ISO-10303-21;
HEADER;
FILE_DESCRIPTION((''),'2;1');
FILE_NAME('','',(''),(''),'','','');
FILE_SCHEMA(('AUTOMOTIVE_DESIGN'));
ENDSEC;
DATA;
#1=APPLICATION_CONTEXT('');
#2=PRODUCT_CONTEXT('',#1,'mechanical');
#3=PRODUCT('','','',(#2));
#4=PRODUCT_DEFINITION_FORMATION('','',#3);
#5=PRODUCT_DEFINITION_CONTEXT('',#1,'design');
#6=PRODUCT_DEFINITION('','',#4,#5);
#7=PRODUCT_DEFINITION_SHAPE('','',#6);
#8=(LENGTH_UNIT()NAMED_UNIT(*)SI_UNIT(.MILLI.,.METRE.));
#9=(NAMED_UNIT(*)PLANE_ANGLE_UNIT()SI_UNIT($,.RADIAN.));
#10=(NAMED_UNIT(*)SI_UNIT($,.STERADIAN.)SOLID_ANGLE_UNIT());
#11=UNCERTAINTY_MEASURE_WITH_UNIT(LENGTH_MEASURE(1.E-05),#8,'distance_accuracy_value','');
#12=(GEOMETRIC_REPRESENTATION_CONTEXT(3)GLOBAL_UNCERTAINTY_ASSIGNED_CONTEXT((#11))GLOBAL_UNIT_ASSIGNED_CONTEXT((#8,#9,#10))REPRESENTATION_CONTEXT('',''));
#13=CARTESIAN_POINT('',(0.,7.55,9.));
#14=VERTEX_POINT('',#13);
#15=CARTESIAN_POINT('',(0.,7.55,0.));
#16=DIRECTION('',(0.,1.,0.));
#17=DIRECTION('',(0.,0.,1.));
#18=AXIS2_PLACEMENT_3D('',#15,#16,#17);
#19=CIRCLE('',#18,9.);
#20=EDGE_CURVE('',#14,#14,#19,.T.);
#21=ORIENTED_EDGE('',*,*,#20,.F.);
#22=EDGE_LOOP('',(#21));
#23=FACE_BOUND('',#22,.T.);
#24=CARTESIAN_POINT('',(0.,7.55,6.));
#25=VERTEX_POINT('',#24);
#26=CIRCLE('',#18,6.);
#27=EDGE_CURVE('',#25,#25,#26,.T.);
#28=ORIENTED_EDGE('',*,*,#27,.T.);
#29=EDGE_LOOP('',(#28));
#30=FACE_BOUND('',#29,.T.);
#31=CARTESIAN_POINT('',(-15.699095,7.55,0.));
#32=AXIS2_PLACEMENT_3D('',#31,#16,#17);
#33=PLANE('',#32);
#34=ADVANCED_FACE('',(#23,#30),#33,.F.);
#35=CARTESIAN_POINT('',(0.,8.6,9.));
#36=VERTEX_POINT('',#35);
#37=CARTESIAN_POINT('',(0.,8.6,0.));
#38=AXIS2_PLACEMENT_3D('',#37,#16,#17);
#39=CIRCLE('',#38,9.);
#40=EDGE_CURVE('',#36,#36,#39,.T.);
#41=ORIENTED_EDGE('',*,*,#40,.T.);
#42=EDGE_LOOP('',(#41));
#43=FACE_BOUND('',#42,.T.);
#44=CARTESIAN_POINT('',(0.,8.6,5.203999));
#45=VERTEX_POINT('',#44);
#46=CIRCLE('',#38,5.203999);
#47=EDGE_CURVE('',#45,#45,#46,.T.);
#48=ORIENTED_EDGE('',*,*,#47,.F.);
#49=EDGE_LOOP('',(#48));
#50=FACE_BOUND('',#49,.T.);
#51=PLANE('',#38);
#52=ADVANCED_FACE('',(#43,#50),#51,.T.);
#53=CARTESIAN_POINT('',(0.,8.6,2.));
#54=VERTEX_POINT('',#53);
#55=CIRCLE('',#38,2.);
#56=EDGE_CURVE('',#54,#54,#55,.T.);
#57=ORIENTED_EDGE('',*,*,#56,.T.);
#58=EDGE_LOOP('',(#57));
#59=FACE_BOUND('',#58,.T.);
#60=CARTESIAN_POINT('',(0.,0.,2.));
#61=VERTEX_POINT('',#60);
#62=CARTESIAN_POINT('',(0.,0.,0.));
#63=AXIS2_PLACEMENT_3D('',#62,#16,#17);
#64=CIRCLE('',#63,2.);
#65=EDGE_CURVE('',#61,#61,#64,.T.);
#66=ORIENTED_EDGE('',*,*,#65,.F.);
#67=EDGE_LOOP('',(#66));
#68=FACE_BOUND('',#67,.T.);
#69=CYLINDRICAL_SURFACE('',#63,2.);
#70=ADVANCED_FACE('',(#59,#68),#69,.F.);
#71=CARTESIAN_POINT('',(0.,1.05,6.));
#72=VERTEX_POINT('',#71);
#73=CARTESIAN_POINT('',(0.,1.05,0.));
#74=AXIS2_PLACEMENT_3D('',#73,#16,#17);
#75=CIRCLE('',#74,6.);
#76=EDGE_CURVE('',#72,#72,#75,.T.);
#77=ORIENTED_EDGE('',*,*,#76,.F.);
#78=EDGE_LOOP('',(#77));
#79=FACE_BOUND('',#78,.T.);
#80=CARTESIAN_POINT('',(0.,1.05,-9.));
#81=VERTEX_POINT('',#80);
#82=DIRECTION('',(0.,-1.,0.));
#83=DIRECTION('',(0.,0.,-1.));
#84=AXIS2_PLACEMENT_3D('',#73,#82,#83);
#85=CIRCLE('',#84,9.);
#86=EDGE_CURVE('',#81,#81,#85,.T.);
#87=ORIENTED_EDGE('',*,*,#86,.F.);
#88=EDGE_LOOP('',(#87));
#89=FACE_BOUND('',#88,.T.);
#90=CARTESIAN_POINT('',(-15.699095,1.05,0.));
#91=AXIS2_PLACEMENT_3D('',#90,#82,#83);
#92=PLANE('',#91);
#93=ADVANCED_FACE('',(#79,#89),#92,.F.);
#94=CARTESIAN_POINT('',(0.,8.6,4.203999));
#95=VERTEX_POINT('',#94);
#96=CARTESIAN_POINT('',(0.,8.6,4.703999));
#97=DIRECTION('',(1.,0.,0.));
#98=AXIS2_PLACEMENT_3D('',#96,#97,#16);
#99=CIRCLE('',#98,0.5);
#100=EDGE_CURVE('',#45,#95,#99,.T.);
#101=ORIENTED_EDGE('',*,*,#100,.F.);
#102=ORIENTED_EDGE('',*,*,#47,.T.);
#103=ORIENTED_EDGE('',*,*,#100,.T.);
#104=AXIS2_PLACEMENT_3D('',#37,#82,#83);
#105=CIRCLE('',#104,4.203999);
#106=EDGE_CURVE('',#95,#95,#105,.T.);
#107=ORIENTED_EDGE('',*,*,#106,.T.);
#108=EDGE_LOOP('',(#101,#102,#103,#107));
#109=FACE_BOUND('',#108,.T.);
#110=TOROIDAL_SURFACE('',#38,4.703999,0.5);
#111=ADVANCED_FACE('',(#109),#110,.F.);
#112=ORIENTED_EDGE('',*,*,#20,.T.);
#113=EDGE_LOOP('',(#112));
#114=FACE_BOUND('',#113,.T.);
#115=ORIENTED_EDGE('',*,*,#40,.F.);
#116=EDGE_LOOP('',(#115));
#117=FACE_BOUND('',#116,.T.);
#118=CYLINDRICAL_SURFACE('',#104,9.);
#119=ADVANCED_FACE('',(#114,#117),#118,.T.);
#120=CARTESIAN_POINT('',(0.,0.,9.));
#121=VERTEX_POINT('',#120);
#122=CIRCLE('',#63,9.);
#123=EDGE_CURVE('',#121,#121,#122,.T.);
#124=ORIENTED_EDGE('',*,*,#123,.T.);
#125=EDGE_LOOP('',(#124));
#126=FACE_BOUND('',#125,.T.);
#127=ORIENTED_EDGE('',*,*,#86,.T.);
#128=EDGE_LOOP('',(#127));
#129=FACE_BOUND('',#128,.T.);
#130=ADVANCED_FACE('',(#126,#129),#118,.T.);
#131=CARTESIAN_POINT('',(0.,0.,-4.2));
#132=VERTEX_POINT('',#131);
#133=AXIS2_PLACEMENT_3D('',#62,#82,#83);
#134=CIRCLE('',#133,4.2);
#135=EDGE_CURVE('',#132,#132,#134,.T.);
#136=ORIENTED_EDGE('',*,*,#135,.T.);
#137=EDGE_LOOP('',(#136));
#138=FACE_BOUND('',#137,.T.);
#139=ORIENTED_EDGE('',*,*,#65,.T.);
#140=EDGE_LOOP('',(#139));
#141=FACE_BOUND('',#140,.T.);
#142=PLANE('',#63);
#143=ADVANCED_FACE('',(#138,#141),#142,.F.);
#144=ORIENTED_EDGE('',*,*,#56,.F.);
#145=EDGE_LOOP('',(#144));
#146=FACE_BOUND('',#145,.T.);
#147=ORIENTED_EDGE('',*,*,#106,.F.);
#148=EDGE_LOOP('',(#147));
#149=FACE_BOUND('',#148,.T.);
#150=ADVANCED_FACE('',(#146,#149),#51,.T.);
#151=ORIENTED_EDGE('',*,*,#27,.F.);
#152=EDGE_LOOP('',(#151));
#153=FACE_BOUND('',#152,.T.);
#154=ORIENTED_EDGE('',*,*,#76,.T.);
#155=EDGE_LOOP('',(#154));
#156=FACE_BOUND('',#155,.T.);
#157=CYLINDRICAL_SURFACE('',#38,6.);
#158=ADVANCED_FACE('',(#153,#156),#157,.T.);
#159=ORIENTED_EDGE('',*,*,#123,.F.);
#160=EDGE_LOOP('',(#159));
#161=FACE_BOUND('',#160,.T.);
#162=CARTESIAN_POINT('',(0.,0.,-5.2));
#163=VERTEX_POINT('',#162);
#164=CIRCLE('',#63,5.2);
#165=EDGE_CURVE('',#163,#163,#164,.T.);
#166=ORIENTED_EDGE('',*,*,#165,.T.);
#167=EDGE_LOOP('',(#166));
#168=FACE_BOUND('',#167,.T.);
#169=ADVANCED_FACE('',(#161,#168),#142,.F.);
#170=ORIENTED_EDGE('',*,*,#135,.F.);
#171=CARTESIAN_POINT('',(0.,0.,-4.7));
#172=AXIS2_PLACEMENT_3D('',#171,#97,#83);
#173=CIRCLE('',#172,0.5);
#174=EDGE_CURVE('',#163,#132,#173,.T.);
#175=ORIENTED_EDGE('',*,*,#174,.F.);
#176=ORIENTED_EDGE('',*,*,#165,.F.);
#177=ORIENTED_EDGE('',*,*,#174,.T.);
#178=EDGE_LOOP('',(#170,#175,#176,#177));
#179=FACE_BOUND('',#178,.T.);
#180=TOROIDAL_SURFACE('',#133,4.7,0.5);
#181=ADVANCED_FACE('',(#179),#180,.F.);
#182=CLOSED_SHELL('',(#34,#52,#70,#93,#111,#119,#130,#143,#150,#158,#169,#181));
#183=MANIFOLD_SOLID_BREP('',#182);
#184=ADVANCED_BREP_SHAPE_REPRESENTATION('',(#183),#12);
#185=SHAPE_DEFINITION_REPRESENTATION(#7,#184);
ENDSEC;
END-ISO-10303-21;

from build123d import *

# Parameters (mm, degrees)
SKETCH1_R            = 9
BOSS_EXTRUDE1_DEPTH  = 8.6
SKETCH2_W            = 9.699094827
SKETCH2_H            = 6.5
SKETCH3_R            = 2
CUT_EXTRUDE1_DEPTH   = 9.6
CUT_SWEEP2_PROFILE_R = 0.5
CUT_SWEEP3_PROFILE_R = 0.5


with BuildPart() as part:
    # Sketch1 → Boss-Extrude1 (new body)
    with BuildSketch(Plane(origin=(0, 0, 0), x_dir=(1, 0, 0), z_dir=(0, 1, 0))):
        Circle(SKETCH1_R)
    extrude(amount=BOSS_EXTRUDE1_DEPTH)

    # Sketch2 → Cut-Revolve1 (revolve, cut)
    with BuildSketch(Plane.XY):
        with Locations((-10.849547414, 4.3)):
            Rectangle(SKETCH2_W, SKETCH2_H)
    revolve(axis=Axis((0, 8.6, 0), (0, -1, 0)), mode=Mode.SUBTRACT)

    # Sketch3 → Cut-Extrude1 (cut, through all)
    with BuildSketch(Plane(origin=(0, 8.6, 0), x_dir=(1, 0, 0), z_dir=(0, 1, 0))):
        Circle(SKETCH3_R)
    extrude(amount=-CUT_EXTRUDE1_DEPTH, mode=Mode.SUBTRACT)

    # Cut-Sweep2: sweep along a path in Sketch4
    with BuildLine(Plane(origin=(0, 8.6, 0), x_dir=(1, 0, 0), z_dir=(0, 1, 0))) as cut_sweep2_path:
        CenterArc((0, 0), 4.703999497, 0, 360)
    # Cut-Sweep2 profile (on start of the path) → Cut-Sweep2 (sweep, cut)
    with BuildSketch(Plane(origin=(4.703999497, 8.6, 0), x_dir=(-1, 0, 0), z_dir=(0, 0, -1))):
        Circle(CUT_SWEEP2_PROFILE_R)
    sweep(path=cut_sweep2_path.line, mode=Mode.SUBTRACT)

    # Cut-Sweep3: sweep along a path in Sketch20
    with BuildLine(Plane.XZ) as cut_sweep3_path:
        CenterArc((0, 0), 4.7, 0, 360)
    # Cut-Sweep3 profile (on start of the path) → Cut-Sweep3 (sweep, cut)
    with BuildSketch(Plane(origin=(4.7, 0, 0), x_dir=(1, 0, 0), z_dir=(0, 0, 1))):
        Circle(CUT_SWEEP3_PROFILE_R)
    sweep(path=cut_sweep3_path.line, mode=Mode.SUBTRACT)


solid = part.part
